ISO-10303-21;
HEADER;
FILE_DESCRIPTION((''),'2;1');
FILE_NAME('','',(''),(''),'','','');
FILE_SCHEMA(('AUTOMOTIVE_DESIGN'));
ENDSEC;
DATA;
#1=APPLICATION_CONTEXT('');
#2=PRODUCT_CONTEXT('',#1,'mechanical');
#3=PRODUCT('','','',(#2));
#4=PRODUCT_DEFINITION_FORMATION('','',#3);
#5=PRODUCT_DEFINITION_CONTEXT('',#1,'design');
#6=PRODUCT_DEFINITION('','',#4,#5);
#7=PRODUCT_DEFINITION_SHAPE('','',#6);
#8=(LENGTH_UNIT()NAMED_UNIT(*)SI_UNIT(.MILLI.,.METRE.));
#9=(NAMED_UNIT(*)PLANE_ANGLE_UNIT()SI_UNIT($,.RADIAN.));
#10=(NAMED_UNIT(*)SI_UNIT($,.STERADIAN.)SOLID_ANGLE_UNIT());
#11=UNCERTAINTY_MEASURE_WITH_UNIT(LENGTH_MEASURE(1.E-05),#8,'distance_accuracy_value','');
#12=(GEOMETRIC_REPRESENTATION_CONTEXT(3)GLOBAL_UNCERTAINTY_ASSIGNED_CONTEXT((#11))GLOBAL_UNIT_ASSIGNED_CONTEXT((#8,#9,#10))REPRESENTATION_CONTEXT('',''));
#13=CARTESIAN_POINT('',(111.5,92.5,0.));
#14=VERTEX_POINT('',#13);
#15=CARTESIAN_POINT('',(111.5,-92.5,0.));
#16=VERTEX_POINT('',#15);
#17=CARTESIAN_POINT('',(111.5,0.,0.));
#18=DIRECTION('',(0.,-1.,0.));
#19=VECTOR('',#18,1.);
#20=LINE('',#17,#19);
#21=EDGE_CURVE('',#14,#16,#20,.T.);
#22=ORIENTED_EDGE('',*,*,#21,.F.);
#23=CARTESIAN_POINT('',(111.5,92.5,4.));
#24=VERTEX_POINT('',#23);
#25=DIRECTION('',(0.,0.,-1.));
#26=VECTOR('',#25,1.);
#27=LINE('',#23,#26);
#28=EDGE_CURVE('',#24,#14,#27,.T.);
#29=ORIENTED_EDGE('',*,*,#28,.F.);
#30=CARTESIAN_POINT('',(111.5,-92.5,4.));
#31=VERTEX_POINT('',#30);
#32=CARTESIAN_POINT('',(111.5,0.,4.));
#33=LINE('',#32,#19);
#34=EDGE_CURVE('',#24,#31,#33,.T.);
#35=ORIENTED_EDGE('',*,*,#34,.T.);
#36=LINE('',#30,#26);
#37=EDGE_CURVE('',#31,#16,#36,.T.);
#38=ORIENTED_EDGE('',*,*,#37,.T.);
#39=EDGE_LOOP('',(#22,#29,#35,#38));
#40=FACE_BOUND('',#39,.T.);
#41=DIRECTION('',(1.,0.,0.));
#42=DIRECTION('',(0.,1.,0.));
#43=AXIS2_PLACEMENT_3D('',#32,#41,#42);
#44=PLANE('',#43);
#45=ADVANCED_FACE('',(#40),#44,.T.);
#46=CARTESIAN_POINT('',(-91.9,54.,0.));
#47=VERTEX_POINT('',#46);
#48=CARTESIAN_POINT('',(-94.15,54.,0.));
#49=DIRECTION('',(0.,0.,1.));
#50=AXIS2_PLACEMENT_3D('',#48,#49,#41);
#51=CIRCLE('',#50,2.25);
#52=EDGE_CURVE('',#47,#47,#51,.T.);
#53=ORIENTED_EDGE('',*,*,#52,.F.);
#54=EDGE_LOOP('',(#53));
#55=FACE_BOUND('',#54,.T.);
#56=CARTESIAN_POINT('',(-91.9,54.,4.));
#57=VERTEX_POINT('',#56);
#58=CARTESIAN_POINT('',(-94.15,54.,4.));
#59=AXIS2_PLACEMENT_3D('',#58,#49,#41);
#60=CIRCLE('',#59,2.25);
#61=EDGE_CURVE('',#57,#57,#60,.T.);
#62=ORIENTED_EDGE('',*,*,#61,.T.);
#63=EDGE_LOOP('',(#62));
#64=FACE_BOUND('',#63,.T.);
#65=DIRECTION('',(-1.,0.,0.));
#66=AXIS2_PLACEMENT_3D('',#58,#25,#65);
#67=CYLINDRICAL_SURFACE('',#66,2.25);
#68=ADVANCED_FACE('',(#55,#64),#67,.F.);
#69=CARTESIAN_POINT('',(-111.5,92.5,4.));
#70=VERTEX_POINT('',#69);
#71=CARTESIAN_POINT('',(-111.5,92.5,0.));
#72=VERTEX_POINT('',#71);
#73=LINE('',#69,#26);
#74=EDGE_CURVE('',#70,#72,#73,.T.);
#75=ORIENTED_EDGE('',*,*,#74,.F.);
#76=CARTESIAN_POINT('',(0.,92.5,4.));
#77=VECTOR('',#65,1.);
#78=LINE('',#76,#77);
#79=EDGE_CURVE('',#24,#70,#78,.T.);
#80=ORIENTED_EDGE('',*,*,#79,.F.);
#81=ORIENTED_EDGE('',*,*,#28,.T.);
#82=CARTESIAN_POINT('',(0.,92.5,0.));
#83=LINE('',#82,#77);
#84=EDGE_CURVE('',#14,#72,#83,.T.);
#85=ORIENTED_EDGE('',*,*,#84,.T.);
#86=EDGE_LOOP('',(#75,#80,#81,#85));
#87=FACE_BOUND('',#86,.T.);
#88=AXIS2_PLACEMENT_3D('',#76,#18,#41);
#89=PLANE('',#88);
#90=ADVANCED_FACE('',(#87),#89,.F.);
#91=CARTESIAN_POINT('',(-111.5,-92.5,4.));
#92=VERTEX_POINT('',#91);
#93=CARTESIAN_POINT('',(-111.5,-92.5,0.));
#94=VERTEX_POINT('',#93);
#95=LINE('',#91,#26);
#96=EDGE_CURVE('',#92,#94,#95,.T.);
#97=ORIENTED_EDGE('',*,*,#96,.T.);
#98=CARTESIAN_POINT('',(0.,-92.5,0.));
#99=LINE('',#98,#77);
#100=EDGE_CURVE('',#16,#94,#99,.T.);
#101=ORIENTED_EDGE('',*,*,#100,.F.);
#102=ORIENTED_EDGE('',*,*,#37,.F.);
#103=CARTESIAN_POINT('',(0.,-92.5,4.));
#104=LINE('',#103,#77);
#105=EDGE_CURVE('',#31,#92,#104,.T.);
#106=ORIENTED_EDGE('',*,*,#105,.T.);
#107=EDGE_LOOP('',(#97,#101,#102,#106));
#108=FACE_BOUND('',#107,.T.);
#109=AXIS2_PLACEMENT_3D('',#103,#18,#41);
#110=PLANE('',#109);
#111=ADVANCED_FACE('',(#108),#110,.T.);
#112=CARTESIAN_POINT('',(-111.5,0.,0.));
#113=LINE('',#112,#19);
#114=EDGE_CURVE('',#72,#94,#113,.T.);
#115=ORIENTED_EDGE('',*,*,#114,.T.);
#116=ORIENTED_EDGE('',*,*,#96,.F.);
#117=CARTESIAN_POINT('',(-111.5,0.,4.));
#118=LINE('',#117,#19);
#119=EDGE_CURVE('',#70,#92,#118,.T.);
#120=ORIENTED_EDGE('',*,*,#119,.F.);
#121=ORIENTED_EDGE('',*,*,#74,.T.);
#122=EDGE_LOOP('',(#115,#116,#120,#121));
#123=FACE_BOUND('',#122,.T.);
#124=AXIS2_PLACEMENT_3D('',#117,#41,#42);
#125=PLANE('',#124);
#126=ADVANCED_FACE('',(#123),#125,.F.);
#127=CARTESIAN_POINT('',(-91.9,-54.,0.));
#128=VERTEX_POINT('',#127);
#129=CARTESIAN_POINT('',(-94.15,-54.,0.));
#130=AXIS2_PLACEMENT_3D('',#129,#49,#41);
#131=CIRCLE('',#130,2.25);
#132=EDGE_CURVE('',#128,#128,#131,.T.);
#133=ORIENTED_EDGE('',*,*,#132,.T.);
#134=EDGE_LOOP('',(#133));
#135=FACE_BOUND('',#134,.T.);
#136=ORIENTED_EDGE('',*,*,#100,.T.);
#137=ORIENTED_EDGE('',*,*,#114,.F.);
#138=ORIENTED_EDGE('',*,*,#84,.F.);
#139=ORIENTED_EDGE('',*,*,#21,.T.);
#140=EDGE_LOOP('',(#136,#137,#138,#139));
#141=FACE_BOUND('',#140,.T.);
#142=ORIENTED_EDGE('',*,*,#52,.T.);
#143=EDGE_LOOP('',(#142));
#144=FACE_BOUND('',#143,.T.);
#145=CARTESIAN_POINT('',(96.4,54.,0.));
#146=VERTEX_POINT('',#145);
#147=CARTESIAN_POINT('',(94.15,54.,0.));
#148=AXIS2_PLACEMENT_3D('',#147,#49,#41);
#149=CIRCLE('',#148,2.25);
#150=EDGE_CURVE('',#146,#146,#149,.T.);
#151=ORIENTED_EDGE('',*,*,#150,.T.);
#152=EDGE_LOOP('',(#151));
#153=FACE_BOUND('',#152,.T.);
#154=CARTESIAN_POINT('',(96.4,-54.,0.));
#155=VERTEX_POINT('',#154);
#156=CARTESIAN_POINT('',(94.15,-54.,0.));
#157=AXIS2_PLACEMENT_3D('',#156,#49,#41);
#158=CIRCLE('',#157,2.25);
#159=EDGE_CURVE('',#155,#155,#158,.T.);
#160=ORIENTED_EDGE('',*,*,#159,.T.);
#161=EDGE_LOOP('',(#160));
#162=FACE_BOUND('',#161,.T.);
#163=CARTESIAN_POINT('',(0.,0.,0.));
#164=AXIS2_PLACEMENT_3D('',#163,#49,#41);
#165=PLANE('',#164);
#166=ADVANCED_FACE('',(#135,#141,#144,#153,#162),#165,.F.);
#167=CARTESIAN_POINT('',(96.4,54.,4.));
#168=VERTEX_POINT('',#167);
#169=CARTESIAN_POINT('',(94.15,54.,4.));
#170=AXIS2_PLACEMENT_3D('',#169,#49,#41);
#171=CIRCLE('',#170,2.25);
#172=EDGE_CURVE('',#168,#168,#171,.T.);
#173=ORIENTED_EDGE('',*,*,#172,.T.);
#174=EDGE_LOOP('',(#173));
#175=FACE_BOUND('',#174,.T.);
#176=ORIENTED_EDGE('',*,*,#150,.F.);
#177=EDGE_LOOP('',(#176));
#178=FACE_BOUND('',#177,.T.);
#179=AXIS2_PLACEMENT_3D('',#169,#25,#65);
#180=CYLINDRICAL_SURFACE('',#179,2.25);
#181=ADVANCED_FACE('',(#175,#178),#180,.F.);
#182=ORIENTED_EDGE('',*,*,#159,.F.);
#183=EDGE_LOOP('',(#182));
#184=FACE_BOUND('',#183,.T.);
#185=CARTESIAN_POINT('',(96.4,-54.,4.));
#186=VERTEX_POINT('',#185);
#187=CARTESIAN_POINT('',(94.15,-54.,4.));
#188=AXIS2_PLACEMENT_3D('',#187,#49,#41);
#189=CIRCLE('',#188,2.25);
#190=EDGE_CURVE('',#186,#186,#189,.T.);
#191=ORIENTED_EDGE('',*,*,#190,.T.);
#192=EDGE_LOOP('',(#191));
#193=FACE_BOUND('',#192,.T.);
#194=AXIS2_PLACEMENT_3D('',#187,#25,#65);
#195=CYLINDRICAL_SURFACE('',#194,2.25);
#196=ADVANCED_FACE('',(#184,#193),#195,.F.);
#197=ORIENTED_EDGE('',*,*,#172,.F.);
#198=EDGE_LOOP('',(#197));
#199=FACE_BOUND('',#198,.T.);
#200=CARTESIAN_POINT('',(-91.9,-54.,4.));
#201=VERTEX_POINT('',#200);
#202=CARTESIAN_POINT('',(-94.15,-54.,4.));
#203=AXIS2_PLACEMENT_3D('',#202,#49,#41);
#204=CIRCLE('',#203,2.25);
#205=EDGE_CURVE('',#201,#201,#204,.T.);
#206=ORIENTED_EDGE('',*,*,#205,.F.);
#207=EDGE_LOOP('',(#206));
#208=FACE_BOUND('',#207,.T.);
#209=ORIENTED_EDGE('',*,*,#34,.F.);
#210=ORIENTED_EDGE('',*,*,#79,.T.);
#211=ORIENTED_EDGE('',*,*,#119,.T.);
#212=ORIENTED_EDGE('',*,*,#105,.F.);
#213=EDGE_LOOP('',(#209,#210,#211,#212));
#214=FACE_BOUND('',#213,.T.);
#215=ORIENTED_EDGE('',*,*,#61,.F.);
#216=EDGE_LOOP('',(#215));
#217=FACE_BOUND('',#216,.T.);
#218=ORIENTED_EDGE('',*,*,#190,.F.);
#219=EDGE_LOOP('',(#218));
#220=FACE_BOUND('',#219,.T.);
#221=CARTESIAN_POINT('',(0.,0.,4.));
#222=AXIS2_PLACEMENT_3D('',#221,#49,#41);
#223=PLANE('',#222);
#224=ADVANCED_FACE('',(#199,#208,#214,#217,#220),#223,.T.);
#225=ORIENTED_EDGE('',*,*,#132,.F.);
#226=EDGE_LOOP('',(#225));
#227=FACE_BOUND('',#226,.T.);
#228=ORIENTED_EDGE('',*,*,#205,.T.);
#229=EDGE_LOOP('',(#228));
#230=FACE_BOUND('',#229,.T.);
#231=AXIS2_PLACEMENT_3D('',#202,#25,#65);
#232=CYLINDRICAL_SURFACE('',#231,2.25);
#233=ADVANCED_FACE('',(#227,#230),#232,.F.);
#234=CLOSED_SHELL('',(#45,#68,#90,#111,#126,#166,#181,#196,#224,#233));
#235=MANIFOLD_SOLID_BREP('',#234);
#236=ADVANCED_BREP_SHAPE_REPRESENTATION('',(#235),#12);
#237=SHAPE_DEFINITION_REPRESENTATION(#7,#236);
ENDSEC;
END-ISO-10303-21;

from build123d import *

# Parameters (mm, degrees)
SKETCH1_W           = 223
SKETCH1_H           = 185
SKETCH1_R           = 2.25
BOSS_EXTRUDE1_DEPTH = 4


with BuildPart() as part:
    # Sketch1 → Boss-Extrude1 (new body)
    with BuildSketch(Plane.XY):
        Rectangle(SKETCH1_W, SKETCH1_H)
        with Locations((-94.15, -54)):
            Circle(SKETCH1_R, mode=Mode.SUBTRACT)
        with Locations((94.15, -54)):
            Circle(SKETCH1_R, mode=Mode.SUBTRACT)
        with Locations((94.15, 54)):
            Circle(SKETCH1_R, mode=Mode.SUBTRACT)
        with Locations((-94.15, 54)):
            Circle(SKETCH1_R, mode=Mode.SUBTRACT)
    extrude(amount=BOSS_EXTRUDE1_DEPTH)


solid = part.part
